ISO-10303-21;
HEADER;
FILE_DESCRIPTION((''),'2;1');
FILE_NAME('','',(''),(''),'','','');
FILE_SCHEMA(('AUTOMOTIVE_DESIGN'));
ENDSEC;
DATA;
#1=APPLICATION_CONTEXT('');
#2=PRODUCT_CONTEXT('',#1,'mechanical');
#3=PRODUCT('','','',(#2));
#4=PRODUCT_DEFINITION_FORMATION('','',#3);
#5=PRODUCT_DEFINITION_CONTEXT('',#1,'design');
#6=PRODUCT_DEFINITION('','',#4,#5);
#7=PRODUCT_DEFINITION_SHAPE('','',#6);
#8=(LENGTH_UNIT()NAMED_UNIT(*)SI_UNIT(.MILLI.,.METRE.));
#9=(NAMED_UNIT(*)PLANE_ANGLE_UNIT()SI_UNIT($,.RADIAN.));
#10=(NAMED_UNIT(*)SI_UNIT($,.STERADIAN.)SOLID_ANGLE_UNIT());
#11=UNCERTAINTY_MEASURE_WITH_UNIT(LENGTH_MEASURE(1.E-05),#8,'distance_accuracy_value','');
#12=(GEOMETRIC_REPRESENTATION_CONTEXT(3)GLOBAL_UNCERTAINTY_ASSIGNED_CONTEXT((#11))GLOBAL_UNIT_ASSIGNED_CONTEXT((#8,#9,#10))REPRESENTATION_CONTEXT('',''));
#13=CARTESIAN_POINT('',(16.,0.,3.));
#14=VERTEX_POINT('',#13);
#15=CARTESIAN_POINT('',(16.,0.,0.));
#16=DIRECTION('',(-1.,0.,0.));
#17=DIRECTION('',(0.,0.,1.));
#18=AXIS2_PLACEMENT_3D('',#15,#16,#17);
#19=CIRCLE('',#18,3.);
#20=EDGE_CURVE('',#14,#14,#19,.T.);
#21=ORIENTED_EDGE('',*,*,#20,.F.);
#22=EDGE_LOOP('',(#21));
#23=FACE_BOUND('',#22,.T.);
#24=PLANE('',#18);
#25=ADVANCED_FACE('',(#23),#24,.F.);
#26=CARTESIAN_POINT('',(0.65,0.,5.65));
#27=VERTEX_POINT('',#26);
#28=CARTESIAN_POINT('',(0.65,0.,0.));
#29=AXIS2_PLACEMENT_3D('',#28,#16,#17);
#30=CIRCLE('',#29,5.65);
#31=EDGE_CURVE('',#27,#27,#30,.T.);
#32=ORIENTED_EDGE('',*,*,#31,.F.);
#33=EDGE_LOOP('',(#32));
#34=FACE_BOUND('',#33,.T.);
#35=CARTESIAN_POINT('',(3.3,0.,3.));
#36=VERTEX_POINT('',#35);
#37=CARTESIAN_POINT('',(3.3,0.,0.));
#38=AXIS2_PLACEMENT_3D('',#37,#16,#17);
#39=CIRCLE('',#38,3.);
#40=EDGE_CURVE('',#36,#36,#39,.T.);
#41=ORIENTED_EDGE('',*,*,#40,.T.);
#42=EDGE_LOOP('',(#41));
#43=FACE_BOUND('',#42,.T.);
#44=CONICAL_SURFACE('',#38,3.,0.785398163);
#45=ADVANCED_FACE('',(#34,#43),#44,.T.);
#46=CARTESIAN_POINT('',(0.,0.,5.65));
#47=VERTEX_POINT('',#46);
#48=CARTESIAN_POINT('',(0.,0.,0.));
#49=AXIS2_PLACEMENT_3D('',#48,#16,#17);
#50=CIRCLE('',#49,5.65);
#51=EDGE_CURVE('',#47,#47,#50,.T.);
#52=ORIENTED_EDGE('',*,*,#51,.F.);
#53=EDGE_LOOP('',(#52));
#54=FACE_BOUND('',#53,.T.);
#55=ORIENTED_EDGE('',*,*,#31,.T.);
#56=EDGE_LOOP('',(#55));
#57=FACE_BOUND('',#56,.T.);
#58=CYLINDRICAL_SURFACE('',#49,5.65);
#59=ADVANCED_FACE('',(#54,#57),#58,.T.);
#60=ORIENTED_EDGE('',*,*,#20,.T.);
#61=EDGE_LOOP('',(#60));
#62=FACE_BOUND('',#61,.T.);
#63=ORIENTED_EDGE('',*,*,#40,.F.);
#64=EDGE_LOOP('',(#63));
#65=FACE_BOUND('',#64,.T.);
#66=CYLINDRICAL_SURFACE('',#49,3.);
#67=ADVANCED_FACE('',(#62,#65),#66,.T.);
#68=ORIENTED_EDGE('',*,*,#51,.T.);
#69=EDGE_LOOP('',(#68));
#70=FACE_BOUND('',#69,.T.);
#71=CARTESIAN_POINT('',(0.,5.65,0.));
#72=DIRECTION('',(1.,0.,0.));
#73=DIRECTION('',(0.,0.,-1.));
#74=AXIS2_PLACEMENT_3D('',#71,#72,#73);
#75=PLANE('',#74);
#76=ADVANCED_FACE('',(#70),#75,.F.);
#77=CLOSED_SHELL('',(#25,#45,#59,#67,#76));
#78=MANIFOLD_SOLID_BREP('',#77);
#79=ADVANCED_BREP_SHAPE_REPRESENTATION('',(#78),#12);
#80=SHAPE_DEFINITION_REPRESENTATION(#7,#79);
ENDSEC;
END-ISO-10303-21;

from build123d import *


with BuildPart() as part:
    # Esquisse1 → Révolution1 (revolve)
    with BuildSketch(Plane.XY, mode=Mode.PRIVATE) as r_volution1_sk:
        Polygon((0, 0), (16, 0), (16, 3), (3.3, 3), (0.65, 5.65), (0, 5.65), align=None)
    revolve(r_volution1_sk.sketch.rotate(Axis((0, 0, 0), (1, 0, 0)), 90), axis=Axis((0, 0, 0), (1, 0, 0)))


solid = part.part
